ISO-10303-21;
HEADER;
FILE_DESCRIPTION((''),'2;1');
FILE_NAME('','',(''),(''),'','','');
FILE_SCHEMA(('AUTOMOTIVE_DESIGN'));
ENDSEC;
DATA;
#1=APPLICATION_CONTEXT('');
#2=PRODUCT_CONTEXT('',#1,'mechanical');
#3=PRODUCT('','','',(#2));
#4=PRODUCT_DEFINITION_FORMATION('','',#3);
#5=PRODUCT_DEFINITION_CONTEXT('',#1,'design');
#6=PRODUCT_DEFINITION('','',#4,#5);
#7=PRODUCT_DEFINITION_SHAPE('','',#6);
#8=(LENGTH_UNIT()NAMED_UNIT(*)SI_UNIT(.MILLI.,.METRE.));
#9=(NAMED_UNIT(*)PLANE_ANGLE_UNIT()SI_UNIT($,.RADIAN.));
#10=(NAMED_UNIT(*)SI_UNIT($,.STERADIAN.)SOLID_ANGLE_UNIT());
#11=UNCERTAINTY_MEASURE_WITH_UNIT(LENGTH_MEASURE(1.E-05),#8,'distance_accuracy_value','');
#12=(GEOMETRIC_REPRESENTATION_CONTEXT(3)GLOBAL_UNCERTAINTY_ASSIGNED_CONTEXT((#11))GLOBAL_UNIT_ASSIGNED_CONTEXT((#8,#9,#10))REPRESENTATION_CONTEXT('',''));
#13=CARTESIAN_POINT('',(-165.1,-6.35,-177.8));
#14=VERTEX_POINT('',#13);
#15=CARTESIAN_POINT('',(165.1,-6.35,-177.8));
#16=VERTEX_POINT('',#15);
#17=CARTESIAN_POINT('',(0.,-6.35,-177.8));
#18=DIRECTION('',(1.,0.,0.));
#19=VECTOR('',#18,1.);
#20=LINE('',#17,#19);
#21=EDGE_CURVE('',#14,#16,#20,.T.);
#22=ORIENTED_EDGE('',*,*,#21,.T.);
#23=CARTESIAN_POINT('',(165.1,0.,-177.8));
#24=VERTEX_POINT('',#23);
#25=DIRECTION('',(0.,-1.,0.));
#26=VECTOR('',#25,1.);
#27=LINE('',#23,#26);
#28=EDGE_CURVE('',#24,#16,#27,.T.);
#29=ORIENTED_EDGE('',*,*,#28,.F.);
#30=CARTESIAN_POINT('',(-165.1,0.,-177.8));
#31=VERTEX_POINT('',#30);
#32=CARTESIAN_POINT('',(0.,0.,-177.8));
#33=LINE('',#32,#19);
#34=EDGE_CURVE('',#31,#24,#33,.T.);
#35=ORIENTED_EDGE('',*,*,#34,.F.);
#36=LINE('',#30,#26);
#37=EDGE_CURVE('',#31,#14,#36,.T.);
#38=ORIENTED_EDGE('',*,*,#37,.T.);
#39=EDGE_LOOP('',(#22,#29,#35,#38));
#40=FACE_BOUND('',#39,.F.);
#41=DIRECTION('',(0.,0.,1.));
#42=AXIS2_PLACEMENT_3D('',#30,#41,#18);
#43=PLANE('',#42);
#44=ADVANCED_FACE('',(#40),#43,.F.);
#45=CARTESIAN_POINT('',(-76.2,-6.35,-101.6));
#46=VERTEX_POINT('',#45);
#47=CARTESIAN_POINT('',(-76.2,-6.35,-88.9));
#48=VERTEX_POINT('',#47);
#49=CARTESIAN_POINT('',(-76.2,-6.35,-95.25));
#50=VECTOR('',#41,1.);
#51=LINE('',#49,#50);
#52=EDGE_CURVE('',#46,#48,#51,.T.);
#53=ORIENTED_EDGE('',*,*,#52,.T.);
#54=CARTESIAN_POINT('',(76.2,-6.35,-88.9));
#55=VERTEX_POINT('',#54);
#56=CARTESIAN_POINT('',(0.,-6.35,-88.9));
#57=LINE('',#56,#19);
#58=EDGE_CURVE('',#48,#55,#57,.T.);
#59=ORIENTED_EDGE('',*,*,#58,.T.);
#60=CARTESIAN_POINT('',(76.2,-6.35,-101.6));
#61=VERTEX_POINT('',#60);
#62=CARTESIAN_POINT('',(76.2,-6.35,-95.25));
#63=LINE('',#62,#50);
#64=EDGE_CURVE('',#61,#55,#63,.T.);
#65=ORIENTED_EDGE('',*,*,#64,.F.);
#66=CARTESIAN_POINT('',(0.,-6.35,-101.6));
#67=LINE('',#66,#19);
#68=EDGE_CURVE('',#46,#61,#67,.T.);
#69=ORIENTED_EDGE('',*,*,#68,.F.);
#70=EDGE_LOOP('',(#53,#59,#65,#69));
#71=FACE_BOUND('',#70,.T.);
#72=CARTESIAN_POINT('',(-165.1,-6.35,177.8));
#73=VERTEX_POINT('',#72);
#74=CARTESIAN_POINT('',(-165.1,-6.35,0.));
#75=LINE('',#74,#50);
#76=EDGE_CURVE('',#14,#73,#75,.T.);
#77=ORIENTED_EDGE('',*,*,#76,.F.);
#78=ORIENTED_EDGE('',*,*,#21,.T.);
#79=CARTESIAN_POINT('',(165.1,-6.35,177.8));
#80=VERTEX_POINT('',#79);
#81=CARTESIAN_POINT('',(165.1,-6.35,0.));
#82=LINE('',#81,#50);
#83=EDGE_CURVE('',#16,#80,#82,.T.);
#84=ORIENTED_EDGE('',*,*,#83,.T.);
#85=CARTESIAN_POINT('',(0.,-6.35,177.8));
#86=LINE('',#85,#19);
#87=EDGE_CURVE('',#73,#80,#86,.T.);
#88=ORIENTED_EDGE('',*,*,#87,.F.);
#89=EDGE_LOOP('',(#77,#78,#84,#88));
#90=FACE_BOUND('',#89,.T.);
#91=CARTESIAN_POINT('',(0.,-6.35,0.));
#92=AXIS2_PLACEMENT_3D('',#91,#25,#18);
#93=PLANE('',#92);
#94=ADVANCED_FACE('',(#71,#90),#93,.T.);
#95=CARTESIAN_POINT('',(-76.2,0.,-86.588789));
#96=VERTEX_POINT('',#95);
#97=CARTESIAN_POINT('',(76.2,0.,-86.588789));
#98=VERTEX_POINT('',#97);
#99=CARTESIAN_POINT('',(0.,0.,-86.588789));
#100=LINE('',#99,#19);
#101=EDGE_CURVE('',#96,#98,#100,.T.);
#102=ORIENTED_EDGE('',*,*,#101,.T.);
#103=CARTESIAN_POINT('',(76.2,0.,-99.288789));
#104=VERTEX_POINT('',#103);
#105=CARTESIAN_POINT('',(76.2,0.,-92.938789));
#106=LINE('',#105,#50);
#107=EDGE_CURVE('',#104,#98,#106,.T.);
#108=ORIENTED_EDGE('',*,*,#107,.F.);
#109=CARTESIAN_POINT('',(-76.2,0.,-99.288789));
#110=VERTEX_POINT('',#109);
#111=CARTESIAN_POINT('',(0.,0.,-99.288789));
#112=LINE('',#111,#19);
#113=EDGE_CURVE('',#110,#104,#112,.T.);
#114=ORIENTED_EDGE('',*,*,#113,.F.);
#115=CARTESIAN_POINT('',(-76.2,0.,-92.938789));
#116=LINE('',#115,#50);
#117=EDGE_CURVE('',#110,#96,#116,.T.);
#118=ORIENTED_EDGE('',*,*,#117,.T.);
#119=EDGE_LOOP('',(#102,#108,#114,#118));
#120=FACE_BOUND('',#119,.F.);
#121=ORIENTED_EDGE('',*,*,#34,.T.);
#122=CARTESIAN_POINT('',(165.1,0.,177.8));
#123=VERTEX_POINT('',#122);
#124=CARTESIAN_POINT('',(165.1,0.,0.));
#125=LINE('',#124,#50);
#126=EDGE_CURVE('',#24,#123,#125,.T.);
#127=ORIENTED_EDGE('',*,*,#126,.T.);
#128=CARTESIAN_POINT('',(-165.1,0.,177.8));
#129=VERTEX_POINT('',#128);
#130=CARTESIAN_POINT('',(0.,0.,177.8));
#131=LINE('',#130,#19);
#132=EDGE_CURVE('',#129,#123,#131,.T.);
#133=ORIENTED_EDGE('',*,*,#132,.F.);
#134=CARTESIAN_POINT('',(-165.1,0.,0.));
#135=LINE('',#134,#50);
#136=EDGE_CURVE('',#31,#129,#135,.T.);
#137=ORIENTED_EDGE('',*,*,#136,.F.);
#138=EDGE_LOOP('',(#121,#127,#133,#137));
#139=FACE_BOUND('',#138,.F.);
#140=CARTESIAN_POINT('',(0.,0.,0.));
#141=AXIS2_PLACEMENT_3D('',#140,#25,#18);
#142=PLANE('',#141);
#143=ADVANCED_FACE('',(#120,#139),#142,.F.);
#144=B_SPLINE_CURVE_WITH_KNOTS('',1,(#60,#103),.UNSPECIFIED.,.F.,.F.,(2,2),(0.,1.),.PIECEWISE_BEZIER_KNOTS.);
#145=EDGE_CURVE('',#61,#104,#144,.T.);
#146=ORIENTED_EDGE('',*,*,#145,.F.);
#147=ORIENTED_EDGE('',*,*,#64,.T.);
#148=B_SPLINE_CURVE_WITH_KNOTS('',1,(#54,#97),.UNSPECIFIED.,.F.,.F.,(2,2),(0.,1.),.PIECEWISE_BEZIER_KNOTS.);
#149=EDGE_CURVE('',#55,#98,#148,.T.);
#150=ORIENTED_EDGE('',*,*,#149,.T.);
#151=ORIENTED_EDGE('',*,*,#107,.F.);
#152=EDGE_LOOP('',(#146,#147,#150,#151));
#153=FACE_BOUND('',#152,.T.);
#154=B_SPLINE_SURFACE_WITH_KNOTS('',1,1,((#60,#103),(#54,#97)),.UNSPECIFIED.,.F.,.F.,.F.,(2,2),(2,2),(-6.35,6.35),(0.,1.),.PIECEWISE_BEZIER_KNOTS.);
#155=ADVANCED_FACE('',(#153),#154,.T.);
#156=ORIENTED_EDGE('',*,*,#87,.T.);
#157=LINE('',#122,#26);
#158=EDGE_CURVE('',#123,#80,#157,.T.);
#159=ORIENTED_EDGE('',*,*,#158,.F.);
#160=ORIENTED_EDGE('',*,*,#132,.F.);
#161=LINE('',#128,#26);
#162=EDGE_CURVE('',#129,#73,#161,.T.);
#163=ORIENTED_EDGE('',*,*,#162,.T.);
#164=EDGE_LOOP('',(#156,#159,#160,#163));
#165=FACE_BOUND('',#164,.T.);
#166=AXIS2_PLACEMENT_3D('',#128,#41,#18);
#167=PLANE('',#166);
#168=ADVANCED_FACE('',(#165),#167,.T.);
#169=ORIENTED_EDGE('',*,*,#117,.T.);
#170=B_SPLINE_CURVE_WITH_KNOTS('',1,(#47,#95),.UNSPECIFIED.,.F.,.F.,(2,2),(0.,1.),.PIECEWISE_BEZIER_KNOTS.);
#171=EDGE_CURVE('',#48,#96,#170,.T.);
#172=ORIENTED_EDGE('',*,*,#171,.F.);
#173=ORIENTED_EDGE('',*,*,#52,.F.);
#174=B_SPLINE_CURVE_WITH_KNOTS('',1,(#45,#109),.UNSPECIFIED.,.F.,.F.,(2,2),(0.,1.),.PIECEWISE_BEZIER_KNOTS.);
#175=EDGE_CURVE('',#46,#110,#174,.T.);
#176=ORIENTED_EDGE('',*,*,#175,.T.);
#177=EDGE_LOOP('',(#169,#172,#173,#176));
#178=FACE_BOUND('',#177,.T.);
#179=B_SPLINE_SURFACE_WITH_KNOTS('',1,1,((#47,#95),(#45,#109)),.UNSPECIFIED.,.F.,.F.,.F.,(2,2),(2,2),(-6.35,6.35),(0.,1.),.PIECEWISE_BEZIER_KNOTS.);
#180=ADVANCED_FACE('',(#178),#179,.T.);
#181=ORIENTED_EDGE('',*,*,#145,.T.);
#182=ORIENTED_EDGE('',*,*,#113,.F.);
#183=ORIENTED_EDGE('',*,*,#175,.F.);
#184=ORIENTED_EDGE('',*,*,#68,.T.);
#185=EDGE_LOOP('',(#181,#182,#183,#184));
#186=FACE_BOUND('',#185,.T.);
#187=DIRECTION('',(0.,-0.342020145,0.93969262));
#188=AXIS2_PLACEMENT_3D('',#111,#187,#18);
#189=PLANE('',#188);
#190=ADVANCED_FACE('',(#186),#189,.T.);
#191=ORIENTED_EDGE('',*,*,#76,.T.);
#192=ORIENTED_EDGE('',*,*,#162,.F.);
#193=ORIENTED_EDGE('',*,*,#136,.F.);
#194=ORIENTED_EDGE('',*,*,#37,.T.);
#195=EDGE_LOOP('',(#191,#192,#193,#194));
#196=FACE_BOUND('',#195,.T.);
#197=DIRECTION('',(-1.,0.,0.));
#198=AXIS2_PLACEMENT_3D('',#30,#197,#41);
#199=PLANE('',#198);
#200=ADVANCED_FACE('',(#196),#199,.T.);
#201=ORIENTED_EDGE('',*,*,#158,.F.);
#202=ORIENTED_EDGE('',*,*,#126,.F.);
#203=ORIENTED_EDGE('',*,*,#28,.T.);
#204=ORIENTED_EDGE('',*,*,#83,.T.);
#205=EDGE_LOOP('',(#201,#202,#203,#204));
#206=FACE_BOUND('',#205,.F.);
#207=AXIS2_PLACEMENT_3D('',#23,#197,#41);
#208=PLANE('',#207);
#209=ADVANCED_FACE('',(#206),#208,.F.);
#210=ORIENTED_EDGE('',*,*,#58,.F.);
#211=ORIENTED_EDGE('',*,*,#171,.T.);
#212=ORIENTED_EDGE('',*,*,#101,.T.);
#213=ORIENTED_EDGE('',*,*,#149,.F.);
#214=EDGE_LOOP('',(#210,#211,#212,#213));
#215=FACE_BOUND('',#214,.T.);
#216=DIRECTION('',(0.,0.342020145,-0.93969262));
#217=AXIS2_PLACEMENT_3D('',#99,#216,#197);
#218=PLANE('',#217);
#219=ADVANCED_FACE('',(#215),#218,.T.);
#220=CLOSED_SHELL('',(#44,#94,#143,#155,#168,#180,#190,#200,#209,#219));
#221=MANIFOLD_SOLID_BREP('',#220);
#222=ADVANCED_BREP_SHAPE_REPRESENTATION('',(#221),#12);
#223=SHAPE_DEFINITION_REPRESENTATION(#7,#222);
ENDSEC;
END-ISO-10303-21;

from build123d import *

# Parameters (mm, degrees)
F0_W     = 330.2
F0_H     = 355.6
F1_DEPTH = 6.35
F2_W     = 152.4
F2_H     = 12.7
F4_W     = 152.4
F4_H     = 12.7


with BuildPart() as f1:
    # F0 (on Front) → F1 (new body)
    with BuildSketch(Plane.XZ):
        Rectangle(F0_W, F0_H)
    extrude(amount=F1_DEPTH)

    # F2 (on face) → F5 section 0
    with BuildSketch(Plane.XZ.offset(6.35)):
        with Locations((0, -95.25)):
            Rectangle(F2_W, F2_H)
    # F4 (on face) → F5 section 1
    with BuildSketch(Plane.XZ):
        with Locations((0, -92.938789)):
            Rectangle(F4_W, F4_H)
    loft(mode=Mode.SUBTRACT)


solid = f1.part
